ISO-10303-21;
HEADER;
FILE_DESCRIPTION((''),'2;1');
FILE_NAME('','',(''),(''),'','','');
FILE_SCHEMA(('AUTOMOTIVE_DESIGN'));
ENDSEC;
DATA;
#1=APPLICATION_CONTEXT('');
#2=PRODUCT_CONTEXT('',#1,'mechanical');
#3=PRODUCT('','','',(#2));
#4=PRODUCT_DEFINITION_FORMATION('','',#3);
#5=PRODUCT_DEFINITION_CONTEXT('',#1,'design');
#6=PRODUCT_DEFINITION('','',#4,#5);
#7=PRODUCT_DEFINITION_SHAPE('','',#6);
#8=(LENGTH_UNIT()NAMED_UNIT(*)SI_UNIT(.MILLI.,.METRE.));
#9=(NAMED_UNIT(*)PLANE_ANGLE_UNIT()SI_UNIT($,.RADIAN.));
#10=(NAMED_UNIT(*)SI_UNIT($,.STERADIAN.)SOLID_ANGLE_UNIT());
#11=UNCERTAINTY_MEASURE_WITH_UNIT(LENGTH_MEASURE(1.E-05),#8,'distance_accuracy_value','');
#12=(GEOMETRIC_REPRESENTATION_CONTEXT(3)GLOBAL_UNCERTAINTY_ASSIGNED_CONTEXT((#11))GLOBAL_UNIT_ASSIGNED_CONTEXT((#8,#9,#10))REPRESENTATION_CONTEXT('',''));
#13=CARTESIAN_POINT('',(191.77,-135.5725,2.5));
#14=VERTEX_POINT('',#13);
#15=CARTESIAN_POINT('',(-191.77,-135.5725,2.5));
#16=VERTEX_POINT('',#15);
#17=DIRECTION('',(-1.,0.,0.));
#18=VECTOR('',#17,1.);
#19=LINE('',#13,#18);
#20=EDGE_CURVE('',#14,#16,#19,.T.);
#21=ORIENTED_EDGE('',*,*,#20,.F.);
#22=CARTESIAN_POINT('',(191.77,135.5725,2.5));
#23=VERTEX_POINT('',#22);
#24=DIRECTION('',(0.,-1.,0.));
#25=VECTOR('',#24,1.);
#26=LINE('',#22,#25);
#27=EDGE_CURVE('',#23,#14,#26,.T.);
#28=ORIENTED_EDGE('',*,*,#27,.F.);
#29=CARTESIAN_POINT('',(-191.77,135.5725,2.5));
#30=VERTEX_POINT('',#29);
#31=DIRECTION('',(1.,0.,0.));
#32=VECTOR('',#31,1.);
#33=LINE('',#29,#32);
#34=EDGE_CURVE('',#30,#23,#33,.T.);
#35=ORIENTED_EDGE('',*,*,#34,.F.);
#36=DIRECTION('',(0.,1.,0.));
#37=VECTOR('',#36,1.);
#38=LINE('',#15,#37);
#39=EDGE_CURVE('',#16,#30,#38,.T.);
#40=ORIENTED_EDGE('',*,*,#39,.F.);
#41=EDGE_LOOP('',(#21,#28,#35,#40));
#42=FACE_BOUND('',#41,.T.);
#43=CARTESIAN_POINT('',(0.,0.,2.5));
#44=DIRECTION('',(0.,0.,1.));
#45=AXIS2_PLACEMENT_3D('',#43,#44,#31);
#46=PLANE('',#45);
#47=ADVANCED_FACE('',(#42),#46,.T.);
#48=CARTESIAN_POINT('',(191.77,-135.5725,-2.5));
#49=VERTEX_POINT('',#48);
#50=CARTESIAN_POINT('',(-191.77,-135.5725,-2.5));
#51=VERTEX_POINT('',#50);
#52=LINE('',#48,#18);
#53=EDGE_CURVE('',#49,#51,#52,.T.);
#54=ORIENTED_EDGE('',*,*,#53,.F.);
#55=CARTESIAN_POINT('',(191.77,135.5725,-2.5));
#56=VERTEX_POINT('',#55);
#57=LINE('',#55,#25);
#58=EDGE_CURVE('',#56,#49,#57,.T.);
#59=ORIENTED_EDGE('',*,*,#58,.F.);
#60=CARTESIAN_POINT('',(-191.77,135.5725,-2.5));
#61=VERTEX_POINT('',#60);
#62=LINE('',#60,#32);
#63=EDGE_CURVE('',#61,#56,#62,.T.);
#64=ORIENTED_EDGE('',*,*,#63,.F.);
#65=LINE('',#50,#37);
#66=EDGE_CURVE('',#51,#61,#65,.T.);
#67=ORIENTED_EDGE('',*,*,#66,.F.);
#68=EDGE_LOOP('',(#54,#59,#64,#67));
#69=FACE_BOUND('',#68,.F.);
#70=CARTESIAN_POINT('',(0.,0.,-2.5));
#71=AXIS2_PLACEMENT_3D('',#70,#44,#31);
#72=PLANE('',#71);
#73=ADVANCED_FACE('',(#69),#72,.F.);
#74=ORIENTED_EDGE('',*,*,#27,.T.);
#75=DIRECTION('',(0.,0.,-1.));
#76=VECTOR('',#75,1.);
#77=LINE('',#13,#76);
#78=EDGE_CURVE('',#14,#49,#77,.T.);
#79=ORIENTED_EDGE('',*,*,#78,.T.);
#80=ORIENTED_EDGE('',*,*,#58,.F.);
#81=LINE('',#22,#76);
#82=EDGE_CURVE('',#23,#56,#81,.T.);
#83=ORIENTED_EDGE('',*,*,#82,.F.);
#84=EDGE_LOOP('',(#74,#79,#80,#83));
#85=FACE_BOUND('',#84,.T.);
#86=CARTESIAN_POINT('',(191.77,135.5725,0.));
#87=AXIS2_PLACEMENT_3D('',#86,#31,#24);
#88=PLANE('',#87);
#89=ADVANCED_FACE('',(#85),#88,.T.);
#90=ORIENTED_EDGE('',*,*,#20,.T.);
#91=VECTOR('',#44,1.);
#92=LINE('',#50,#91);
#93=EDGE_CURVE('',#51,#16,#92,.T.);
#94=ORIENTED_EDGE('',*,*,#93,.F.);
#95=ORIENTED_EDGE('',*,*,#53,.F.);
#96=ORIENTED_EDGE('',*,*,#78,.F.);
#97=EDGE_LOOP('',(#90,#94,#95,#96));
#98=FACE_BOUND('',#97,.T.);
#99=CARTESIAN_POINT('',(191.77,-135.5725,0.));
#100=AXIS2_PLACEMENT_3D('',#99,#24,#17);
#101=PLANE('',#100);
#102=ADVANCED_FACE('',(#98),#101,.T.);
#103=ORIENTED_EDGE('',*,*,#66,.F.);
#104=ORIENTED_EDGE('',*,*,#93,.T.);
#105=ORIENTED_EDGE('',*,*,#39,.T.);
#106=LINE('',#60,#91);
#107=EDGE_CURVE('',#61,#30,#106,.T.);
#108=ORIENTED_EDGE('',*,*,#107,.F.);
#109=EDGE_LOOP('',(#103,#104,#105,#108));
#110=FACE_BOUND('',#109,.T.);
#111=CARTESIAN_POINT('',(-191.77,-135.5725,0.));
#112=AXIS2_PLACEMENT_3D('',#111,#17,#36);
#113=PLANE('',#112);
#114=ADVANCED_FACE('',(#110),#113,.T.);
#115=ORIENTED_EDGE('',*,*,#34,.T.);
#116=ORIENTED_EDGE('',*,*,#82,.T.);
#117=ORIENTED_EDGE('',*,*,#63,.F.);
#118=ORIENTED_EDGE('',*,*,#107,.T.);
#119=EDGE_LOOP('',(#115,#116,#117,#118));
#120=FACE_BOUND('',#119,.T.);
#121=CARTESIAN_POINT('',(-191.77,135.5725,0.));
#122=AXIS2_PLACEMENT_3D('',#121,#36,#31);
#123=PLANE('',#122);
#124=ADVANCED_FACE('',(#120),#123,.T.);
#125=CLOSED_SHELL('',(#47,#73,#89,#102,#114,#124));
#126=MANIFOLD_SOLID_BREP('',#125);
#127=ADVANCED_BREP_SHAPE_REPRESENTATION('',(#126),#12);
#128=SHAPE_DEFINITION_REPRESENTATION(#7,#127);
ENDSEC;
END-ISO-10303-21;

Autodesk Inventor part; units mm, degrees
ref_plane "YZ Plane" through (0, 0, 0) normal (1, 0, 0) x (0, 1, 0)
ref_plane "XZ Plane" through (0, 0, 0) normal (0, 1, 0) x (-1, 0, 0)
ref_plane "XY Plane" through (0, 0, 0) normal (0, 0, 1) x (1, 0, 0)
sketch "Sketch1" plane through (0, 0, 0) normal (0, 0, 1) x (1, 0, 0)
  line L0 (-191.77, 135.5725) -> (191.77, 135.5725)
  line L1 (191.77, 135.5725) -> (191.77, -135.5725)
  line L2 (191.77, -135.5725) -> (-191.77, -135.5725)
  line L3 (-191.77, -135.5725) -> (-191.77, 135.5725)
  point P0 (0, 0)
  dimension "d0" = 383.54
  dimension "d1" = 271.145
  dimension "d2" = 191.77
  dimension "d3" = 135.5725
extrude "Extrusion1" add sketch "Sketch1" along normal mid plane 5
equation "\"d2\" = 0.5 * d0"
equation "\"d3\" = 0.5 * d1"
